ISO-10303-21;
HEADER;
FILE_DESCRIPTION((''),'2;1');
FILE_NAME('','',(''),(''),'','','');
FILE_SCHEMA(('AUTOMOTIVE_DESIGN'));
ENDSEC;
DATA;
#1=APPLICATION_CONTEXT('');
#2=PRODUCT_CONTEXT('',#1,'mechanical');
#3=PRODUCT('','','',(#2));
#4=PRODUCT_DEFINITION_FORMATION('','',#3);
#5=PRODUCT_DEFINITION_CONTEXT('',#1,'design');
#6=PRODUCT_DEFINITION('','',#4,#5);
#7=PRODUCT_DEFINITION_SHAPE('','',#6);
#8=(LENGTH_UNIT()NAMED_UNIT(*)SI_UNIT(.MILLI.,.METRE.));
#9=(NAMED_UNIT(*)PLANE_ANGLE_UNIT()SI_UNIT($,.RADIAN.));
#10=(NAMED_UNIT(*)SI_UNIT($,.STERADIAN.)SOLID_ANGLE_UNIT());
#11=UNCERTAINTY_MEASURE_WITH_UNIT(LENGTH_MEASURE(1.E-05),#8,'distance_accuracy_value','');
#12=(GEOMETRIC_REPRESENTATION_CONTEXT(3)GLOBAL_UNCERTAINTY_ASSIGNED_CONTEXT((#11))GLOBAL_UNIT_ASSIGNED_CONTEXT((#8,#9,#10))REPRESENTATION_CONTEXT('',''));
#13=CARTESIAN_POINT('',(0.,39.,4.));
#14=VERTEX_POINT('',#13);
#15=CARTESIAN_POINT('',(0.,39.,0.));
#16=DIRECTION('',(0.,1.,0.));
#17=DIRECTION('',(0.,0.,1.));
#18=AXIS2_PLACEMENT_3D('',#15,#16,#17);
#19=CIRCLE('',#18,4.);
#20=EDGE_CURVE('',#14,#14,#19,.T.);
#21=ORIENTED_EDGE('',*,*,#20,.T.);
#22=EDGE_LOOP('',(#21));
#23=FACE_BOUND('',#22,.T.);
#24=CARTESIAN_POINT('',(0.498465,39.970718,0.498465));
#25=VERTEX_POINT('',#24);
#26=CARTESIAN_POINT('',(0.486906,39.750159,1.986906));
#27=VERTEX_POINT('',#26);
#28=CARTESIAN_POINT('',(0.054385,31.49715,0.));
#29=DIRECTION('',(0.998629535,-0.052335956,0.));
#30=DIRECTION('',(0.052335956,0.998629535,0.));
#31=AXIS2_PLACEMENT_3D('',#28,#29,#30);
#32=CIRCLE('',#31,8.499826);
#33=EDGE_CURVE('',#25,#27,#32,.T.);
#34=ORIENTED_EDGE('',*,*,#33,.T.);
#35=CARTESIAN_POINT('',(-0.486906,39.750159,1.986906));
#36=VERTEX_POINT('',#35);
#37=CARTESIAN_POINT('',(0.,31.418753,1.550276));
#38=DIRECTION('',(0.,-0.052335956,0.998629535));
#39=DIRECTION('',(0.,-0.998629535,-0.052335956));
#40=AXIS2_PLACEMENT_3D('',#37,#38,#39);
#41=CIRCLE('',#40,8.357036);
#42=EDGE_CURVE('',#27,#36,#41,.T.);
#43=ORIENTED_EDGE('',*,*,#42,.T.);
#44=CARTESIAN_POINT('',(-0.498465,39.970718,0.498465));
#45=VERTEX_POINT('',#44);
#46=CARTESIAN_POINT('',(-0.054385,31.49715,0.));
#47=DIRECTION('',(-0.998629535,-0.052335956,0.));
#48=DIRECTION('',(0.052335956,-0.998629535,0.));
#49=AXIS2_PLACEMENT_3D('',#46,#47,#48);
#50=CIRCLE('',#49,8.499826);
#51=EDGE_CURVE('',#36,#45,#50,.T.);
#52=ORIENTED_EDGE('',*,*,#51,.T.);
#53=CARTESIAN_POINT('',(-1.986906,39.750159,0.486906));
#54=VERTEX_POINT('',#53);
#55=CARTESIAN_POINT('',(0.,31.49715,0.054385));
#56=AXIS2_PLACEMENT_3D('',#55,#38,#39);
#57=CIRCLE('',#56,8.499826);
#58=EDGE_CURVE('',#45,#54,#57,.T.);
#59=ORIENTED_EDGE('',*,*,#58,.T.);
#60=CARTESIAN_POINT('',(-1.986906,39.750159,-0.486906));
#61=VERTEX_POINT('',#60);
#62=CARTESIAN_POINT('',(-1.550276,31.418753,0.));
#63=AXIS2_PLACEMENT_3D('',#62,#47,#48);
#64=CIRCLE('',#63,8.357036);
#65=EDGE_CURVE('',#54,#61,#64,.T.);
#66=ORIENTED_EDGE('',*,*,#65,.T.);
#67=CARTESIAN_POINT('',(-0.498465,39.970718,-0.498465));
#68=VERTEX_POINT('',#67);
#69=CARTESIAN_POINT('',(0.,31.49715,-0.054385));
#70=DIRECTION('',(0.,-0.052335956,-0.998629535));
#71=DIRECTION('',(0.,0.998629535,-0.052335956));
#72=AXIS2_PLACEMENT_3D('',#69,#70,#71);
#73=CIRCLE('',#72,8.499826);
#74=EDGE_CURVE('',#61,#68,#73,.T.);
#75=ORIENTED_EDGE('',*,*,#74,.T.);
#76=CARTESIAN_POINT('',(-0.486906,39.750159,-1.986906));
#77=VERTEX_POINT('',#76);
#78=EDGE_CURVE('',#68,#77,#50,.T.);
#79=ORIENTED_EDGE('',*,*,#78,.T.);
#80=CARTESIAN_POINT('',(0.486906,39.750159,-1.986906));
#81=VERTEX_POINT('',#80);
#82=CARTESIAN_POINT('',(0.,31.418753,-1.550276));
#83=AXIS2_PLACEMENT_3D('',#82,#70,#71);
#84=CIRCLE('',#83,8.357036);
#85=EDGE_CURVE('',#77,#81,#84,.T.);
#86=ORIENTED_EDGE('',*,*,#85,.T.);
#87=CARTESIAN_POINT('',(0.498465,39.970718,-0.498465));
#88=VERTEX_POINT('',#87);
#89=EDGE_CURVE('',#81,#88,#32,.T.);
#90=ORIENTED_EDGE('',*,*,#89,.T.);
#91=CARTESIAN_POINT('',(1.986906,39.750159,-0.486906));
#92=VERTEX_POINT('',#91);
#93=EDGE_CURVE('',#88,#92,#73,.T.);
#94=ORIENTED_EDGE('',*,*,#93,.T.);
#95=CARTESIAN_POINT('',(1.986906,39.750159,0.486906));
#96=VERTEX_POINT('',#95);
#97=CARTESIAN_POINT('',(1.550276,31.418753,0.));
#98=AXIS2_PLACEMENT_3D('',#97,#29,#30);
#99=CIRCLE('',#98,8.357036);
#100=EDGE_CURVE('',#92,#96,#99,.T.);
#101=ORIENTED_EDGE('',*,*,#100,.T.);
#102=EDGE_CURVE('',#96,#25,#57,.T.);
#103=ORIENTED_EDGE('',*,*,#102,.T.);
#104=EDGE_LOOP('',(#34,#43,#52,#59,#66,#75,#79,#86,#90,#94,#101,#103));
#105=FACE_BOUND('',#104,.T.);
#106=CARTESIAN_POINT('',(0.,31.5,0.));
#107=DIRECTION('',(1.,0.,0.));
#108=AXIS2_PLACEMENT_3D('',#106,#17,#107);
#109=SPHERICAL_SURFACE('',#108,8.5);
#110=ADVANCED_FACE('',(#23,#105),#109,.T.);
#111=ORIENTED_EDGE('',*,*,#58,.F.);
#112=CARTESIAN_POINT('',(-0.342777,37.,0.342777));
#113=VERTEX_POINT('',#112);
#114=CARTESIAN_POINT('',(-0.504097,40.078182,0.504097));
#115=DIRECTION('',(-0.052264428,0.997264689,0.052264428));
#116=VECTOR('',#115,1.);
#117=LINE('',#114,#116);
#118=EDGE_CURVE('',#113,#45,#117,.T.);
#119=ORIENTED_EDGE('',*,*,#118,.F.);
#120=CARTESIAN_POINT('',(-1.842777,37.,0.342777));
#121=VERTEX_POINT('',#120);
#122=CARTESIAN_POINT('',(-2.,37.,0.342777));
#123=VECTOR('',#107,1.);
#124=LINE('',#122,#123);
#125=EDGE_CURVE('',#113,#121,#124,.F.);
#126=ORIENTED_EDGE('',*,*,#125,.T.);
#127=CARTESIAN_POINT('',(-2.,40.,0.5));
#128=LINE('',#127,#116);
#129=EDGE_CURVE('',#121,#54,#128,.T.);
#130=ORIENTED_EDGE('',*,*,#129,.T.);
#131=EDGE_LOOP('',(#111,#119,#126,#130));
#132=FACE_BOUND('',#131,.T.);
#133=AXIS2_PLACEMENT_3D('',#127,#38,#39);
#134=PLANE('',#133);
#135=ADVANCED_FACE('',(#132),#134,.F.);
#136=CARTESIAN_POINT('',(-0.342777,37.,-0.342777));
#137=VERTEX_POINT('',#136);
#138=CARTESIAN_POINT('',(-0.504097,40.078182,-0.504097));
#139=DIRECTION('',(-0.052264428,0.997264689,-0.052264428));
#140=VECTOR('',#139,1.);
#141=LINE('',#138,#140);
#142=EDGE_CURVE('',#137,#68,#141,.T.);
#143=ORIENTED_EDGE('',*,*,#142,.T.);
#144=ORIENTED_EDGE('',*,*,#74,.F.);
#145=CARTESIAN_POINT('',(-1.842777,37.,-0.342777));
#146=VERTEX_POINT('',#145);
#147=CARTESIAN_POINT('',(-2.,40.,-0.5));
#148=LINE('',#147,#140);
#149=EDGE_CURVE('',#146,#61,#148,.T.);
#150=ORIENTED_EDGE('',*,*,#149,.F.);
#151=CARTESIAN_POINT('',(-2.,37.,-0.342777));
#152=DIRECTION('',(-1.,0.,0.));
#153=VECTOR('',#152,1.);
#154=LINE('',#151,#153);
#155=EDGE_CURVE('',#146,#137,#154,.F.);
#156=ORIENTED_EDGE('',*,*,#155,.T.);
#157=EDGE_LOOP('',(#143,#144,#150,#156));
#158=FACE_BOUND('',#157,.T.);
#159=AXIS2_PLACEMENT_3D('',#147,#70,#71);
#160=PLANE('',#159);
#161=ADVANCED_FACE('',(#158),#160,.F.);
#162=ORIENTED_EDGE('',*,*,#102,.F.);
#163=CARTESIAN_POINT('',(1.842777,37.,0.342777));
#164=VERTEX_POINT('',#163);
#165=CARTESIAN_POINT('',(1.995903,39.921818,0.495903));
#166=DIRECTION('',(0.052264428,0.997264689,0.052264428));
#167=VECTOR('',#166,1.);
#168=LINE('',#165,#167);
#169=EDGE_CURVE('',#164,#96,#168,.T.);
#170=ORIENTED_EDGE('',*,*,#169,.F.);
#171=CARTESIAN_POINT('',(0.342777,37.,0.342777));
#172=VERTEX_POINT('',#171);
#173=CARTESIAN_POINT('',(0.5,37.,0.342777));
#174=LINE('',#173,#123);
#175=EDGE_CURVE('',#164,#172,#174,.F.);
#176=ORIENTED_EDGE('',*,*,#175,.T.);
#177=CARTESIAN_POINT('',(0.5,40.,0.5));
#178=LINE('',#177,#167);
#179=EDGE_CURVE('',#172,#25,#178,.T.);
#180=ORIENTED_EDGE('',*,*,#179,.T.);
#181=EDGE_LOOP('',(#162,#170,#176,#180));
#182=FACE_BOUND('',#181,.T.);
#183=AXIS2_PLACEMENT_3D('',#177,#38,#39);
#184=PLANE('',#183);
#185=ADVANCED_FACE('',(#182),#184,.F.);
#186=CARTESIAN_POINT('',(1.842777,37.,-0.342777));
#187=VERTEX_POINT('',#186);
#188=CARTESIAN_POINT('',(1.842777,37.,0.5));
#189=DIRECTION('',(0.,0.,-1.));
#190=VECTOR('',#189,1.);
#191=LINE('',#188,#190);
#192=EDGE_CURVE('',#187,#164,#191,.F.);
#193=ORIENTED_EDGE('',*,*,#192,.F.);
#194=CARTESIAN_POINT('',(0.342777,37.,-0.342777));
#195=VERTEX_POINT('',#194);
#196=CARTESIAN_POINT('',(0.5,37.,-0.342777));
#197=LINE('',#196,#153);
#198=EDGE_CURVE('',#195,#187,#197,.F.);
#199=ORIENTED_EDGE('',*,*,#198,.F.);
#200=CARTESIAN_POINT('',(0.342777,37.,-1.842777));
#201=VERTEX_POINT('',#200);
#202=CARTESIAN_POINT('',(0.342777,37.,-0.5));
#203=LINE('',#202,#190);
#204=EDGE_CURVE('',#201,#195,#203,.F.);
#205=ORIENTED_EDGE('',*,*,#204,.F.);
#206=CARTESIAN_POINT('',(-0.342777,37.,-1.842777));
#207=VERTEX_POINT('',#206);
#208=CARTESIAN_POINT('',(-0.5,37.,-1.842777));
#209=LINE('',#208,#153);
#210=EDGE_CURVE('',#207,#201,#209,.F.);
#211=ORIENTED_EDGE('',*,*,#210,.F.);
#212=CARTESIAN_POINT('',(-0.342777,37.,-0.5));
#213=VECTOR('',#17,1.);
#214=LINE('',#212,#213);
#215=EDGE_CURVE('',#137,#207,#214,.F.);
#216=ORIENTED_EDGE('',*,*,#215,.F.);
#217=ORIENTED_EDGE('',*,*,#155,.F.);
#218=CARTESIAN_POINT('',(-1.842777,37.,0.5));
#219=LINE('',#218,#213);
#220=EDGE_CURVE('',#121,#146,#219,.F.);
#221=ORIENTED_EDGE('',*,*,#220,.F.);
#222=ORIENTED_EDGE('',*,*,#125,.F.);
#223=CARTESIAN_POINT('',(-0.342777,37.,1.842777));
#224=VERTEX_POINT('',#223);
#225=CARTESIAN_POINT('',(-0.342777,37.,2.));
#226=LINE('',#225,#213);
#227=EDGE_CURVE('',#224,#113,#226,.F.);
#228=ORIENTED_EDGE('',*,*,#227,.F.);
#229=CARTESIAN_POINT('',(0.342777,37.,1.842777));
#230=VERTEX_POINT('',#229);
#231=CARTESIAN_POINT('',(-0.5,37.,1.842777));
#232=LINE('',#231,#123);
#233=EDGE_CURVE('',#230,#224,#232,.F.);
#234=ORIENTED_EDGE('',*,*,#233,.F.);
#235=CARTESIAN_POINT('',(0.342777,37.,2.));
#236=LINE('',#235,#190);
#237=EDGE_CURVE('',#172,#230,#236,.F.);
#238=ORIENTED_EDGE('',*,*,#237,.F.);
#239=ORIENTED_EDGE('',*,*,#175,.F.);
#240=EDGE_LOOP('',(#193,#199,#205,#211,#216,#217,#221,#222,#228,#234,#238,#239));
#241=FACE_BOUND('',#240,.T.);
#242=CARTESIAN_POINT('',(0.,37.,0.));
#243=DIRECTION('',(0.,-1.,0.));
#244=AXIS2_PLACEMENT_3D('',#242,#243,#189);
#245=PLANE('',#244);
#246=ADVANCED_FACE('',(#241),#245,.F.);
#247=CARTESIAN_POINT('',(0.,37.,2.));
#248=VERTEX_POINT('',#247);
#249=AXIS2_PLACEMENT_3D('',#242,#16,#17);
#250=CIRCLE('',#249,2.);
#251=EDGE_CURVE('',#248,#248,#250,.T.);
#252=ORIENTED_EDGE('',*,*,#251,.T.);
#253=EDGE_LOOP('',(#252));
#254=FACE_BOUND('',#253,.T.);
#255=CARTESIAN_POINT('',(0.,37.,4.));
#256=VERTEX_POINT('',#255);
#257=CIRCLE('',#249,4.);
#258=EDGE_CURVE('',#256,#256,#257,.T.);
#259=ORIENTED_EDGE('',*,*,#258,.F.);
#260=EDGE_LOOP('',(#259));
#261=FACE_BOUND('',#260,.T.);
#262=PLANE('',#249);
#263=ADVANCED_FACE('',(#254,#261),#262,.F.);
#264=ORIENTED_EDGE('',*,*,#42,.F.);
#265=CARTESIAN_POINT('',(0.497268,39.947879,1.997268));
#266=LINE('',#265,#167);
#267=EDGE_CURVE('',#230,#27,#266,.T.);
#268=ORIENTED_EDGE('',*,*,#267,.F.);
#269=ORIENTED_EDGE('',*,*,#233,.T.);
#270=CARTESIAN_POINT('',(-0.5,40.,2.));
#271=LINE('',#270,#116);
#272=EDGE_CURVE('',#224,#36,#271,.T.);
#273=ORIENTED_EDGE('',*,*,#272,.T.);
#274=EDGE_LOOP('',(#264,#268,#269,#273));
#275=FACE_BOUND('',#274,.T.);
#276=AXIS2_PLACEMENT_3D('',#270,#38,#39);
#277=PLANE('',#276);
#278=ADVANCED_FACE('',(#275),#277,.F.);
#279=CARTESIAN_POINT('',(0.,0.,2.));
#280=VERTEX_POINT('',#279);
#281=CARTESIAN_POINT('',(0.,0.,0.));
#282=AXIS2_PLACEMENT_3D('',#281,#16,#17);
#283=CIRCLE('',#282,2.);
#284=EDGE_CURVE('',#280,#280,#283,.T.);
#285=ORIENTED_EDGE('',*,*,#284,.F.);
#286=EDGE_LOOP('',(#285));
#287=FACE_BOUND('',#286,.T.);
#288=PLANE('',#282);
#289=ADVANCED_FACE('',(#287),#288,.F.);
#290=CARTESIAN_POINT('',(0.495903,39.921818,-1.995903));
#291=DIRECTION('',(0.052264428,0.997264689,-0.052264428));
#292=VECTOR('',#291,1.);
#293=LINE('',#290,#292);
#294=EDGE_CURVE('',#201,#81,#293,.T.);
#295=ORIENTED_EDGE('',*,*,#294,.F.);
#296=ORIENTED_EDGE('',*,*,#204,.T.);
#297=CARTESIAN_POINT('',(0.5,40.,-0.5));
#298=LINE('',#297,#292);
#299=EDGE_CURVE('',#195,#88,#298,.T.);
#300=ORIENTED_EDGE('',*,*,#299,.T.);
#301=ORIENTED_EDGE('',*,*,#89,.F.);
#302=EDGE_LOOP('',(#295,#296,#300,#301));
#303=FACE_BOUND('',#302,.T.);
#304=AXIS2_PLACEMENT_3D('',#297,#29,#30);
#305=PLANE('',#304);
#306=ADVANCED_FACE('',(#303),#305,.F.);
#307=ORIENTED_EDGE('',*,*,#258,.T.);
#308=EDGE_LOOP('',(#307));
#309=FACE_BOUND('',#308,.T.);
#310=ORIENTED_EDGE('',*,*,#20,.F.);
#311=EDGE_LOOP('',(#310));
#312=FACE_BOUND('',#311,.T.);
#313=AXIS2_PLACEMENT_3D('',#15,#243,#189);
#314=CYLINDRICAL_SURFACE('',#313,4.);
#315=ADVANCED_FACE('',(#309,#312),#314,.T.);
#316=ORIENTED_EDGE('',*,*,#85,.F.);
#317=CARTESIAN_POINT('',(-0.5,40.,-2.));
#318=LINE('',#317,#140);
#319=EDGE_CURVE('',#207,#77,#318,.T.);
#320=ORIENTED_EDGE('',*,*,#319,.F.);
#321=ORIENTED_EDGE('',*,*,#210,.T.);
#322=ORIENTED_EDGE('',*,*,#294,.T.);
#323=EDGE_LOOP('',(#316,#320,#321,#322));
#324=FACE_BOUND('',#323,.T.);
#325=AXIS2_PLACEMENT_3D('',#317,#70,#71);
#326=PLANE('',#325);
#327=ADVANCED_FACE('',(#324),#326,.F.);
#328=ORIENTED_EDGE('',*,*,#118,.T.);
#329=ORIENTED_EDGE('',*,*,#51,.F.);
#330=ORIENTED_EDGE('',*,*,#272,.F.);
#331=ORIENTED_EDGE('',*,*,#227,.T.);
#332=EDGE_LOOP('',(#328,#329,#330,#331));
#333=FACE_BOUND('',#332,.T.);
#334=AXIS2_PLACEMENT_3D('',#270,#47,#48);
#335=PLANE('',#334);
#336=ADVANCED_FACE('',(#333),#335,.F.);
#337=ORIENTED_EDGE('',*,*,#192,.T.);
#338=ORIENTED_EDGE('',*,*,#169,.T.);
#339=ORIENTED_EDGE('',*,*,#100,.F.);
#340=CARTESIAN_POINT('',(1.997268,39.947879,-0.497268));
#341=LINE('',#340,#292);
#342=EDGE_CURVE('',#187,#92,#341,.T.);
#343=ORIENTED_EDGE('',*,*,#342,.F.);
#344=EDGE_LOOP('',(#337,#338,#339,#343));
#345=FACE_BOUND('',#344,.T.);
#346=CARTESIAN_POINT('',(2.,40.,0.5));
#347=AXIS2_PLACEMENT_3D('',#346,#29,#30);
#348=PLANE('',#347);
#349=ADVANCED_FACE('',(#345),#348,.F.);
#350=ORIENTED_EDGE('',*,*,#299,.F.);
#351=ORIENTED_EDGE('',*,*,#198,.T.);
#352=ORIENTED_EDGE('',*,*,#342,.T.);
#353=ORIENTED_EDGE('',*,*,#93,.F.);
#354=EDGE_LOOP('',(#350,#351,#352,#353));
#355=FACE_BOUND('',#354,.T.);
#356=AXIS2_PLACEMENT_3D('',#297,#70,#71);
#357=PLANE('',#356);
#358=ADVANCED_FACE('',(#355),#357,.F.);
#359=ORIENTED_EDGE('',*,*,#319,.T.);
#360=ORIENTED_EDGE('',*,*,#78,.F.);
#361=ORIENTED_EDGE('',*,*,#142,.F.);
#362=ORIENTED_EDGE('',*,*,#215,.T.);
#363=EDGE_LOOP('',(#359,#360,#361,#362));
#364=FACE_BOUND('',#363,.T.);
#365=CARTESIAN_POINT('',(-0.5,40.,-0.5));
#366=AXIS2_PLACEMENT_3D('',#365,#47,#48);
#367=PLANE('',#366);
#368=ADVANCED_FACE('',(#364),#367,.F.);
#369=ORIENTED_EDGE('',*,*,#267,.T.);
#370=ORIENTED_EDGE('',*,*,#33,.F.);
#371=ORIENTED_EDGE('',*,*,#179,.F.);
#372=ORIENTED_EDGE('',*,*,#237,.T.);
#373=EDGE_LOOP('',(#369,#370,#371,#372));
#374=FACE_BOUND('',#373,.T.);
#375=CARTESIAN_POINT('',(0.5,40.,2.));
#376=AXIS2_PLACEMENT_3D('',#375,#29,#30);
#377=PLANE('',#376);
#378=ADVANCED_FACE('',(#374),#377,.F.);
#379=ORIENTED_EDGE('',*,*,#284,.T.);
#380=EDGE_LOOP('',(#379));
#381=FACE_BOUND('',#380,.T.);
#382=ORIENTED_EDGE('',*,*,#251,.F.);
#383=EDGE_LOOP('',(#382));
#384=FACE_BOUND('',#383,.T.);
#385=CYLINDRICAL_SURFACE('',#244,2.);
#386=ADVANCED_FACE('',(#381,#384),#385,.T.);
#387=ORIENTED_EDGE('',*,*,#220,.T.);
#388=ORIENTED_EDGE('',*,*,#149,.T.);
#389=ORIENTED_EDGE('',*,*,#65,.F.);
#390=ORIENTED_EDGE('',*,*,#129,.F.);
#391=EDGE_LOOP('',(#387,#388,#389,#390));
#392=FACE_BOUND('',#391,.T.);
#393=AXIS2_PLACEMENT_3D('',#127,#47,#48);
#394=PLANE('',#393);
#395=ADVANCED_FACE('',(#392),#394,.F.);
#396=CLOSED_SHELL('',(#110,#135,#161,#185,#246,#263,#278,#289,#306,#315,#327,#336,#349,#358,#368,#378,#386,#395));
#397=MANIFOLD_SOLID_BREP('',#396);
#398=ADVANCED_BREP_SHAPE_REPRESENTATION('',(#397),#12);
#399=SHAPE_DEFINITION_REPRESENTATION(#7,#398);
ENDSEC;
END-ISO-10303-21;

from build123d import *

# Parameters (mm, degrees)
SKETCH1_R           = 2
BOSS_EXTRUDE1_DEPTH = 37
SKETCH2_R           = 4
BOSS_EXTRUDE2_DEPTH = 2
DOME1_FACE_RADIUS   = 4
DOME1_HEIGHT        = 1
CUT_EXTRUDE1_DEPTH  = 3
CUT_EXTRUDE1_TAPER  = 3


with BuildPart() as part:
    # Sketch1 → Boss-Extrude1 (new body)
    with BuildSketch(Plane(origin=(0, 0, 0), x_dir=(1, 0, 0), z_dir=(0, 1, 0))):
        with Locations(Location((0, 0, 0), (0, 0, 270))):
            Circle(SKETCH1_R)
    extrude(amount=BOSS_EXTRUDE1_DEPTH)

    # Sketch2 → Boss-Extrude2 (add)
    with BuildSketch(Plane(origin=(0, 37, 0), x_dir=(1, 0, 0), z_dir=(0, 1, 0))):
        with Locations(Location((0, 0, 0), (0, 0, 270))):
            Circle(SKETCH2_R)
    extrude(amount=BOSS_EXTRUDE2_DEPTH)

    # Dome1: a dome of height H over a round flat face of radius A is a cap of a sphere of radius (A * A + H * H) / (2 * H)
    dome1_r = (DOME1_FACE_RADIUS * DOME1_FACE_RADIUS + DOME1_HEIGHT * DOME1_HEIGHT) / (2 * DOME1_HEIGHT)
    dome1_base = Plane((0, 39, 0), z_dir=(0, 1, 0))
    with Locations(dome1_base.offset(DOME1_HEIGHT - dome1_r)):
        dome1_ball = Sphere(dome1_r, mode=Mode.PRIVATE)
    add(split(dome1_ball, bisect_by=dome1_base, keep=Keep.TOP, mode=Mode.PRIVATE))

    # Sketch4 → Cut-Extrude1 (cut)
    with BuildSketch(Plane(origin=(0, 40, 0), x_dir=(-1, 0, 0), z_dir=(0, -1, 0))):
        Polygon((-0.5, 0.5), (-2, 0.5), (-2, -0.5), (-0.5, -0.5), (-0.5, -2), (0.5, -2), (0.5, -0.5), (2, -0.5), (2, 0.5), (0.5, 0.5), (0.5, 2), (-0.5, 2), align=None)
    extrude(amount=CUT_EXTRUDE1_DEPTH, taper=CUT_EXTRUDE1_TAPER, mode=Mode.SUBTRACT)


solid = part.part
